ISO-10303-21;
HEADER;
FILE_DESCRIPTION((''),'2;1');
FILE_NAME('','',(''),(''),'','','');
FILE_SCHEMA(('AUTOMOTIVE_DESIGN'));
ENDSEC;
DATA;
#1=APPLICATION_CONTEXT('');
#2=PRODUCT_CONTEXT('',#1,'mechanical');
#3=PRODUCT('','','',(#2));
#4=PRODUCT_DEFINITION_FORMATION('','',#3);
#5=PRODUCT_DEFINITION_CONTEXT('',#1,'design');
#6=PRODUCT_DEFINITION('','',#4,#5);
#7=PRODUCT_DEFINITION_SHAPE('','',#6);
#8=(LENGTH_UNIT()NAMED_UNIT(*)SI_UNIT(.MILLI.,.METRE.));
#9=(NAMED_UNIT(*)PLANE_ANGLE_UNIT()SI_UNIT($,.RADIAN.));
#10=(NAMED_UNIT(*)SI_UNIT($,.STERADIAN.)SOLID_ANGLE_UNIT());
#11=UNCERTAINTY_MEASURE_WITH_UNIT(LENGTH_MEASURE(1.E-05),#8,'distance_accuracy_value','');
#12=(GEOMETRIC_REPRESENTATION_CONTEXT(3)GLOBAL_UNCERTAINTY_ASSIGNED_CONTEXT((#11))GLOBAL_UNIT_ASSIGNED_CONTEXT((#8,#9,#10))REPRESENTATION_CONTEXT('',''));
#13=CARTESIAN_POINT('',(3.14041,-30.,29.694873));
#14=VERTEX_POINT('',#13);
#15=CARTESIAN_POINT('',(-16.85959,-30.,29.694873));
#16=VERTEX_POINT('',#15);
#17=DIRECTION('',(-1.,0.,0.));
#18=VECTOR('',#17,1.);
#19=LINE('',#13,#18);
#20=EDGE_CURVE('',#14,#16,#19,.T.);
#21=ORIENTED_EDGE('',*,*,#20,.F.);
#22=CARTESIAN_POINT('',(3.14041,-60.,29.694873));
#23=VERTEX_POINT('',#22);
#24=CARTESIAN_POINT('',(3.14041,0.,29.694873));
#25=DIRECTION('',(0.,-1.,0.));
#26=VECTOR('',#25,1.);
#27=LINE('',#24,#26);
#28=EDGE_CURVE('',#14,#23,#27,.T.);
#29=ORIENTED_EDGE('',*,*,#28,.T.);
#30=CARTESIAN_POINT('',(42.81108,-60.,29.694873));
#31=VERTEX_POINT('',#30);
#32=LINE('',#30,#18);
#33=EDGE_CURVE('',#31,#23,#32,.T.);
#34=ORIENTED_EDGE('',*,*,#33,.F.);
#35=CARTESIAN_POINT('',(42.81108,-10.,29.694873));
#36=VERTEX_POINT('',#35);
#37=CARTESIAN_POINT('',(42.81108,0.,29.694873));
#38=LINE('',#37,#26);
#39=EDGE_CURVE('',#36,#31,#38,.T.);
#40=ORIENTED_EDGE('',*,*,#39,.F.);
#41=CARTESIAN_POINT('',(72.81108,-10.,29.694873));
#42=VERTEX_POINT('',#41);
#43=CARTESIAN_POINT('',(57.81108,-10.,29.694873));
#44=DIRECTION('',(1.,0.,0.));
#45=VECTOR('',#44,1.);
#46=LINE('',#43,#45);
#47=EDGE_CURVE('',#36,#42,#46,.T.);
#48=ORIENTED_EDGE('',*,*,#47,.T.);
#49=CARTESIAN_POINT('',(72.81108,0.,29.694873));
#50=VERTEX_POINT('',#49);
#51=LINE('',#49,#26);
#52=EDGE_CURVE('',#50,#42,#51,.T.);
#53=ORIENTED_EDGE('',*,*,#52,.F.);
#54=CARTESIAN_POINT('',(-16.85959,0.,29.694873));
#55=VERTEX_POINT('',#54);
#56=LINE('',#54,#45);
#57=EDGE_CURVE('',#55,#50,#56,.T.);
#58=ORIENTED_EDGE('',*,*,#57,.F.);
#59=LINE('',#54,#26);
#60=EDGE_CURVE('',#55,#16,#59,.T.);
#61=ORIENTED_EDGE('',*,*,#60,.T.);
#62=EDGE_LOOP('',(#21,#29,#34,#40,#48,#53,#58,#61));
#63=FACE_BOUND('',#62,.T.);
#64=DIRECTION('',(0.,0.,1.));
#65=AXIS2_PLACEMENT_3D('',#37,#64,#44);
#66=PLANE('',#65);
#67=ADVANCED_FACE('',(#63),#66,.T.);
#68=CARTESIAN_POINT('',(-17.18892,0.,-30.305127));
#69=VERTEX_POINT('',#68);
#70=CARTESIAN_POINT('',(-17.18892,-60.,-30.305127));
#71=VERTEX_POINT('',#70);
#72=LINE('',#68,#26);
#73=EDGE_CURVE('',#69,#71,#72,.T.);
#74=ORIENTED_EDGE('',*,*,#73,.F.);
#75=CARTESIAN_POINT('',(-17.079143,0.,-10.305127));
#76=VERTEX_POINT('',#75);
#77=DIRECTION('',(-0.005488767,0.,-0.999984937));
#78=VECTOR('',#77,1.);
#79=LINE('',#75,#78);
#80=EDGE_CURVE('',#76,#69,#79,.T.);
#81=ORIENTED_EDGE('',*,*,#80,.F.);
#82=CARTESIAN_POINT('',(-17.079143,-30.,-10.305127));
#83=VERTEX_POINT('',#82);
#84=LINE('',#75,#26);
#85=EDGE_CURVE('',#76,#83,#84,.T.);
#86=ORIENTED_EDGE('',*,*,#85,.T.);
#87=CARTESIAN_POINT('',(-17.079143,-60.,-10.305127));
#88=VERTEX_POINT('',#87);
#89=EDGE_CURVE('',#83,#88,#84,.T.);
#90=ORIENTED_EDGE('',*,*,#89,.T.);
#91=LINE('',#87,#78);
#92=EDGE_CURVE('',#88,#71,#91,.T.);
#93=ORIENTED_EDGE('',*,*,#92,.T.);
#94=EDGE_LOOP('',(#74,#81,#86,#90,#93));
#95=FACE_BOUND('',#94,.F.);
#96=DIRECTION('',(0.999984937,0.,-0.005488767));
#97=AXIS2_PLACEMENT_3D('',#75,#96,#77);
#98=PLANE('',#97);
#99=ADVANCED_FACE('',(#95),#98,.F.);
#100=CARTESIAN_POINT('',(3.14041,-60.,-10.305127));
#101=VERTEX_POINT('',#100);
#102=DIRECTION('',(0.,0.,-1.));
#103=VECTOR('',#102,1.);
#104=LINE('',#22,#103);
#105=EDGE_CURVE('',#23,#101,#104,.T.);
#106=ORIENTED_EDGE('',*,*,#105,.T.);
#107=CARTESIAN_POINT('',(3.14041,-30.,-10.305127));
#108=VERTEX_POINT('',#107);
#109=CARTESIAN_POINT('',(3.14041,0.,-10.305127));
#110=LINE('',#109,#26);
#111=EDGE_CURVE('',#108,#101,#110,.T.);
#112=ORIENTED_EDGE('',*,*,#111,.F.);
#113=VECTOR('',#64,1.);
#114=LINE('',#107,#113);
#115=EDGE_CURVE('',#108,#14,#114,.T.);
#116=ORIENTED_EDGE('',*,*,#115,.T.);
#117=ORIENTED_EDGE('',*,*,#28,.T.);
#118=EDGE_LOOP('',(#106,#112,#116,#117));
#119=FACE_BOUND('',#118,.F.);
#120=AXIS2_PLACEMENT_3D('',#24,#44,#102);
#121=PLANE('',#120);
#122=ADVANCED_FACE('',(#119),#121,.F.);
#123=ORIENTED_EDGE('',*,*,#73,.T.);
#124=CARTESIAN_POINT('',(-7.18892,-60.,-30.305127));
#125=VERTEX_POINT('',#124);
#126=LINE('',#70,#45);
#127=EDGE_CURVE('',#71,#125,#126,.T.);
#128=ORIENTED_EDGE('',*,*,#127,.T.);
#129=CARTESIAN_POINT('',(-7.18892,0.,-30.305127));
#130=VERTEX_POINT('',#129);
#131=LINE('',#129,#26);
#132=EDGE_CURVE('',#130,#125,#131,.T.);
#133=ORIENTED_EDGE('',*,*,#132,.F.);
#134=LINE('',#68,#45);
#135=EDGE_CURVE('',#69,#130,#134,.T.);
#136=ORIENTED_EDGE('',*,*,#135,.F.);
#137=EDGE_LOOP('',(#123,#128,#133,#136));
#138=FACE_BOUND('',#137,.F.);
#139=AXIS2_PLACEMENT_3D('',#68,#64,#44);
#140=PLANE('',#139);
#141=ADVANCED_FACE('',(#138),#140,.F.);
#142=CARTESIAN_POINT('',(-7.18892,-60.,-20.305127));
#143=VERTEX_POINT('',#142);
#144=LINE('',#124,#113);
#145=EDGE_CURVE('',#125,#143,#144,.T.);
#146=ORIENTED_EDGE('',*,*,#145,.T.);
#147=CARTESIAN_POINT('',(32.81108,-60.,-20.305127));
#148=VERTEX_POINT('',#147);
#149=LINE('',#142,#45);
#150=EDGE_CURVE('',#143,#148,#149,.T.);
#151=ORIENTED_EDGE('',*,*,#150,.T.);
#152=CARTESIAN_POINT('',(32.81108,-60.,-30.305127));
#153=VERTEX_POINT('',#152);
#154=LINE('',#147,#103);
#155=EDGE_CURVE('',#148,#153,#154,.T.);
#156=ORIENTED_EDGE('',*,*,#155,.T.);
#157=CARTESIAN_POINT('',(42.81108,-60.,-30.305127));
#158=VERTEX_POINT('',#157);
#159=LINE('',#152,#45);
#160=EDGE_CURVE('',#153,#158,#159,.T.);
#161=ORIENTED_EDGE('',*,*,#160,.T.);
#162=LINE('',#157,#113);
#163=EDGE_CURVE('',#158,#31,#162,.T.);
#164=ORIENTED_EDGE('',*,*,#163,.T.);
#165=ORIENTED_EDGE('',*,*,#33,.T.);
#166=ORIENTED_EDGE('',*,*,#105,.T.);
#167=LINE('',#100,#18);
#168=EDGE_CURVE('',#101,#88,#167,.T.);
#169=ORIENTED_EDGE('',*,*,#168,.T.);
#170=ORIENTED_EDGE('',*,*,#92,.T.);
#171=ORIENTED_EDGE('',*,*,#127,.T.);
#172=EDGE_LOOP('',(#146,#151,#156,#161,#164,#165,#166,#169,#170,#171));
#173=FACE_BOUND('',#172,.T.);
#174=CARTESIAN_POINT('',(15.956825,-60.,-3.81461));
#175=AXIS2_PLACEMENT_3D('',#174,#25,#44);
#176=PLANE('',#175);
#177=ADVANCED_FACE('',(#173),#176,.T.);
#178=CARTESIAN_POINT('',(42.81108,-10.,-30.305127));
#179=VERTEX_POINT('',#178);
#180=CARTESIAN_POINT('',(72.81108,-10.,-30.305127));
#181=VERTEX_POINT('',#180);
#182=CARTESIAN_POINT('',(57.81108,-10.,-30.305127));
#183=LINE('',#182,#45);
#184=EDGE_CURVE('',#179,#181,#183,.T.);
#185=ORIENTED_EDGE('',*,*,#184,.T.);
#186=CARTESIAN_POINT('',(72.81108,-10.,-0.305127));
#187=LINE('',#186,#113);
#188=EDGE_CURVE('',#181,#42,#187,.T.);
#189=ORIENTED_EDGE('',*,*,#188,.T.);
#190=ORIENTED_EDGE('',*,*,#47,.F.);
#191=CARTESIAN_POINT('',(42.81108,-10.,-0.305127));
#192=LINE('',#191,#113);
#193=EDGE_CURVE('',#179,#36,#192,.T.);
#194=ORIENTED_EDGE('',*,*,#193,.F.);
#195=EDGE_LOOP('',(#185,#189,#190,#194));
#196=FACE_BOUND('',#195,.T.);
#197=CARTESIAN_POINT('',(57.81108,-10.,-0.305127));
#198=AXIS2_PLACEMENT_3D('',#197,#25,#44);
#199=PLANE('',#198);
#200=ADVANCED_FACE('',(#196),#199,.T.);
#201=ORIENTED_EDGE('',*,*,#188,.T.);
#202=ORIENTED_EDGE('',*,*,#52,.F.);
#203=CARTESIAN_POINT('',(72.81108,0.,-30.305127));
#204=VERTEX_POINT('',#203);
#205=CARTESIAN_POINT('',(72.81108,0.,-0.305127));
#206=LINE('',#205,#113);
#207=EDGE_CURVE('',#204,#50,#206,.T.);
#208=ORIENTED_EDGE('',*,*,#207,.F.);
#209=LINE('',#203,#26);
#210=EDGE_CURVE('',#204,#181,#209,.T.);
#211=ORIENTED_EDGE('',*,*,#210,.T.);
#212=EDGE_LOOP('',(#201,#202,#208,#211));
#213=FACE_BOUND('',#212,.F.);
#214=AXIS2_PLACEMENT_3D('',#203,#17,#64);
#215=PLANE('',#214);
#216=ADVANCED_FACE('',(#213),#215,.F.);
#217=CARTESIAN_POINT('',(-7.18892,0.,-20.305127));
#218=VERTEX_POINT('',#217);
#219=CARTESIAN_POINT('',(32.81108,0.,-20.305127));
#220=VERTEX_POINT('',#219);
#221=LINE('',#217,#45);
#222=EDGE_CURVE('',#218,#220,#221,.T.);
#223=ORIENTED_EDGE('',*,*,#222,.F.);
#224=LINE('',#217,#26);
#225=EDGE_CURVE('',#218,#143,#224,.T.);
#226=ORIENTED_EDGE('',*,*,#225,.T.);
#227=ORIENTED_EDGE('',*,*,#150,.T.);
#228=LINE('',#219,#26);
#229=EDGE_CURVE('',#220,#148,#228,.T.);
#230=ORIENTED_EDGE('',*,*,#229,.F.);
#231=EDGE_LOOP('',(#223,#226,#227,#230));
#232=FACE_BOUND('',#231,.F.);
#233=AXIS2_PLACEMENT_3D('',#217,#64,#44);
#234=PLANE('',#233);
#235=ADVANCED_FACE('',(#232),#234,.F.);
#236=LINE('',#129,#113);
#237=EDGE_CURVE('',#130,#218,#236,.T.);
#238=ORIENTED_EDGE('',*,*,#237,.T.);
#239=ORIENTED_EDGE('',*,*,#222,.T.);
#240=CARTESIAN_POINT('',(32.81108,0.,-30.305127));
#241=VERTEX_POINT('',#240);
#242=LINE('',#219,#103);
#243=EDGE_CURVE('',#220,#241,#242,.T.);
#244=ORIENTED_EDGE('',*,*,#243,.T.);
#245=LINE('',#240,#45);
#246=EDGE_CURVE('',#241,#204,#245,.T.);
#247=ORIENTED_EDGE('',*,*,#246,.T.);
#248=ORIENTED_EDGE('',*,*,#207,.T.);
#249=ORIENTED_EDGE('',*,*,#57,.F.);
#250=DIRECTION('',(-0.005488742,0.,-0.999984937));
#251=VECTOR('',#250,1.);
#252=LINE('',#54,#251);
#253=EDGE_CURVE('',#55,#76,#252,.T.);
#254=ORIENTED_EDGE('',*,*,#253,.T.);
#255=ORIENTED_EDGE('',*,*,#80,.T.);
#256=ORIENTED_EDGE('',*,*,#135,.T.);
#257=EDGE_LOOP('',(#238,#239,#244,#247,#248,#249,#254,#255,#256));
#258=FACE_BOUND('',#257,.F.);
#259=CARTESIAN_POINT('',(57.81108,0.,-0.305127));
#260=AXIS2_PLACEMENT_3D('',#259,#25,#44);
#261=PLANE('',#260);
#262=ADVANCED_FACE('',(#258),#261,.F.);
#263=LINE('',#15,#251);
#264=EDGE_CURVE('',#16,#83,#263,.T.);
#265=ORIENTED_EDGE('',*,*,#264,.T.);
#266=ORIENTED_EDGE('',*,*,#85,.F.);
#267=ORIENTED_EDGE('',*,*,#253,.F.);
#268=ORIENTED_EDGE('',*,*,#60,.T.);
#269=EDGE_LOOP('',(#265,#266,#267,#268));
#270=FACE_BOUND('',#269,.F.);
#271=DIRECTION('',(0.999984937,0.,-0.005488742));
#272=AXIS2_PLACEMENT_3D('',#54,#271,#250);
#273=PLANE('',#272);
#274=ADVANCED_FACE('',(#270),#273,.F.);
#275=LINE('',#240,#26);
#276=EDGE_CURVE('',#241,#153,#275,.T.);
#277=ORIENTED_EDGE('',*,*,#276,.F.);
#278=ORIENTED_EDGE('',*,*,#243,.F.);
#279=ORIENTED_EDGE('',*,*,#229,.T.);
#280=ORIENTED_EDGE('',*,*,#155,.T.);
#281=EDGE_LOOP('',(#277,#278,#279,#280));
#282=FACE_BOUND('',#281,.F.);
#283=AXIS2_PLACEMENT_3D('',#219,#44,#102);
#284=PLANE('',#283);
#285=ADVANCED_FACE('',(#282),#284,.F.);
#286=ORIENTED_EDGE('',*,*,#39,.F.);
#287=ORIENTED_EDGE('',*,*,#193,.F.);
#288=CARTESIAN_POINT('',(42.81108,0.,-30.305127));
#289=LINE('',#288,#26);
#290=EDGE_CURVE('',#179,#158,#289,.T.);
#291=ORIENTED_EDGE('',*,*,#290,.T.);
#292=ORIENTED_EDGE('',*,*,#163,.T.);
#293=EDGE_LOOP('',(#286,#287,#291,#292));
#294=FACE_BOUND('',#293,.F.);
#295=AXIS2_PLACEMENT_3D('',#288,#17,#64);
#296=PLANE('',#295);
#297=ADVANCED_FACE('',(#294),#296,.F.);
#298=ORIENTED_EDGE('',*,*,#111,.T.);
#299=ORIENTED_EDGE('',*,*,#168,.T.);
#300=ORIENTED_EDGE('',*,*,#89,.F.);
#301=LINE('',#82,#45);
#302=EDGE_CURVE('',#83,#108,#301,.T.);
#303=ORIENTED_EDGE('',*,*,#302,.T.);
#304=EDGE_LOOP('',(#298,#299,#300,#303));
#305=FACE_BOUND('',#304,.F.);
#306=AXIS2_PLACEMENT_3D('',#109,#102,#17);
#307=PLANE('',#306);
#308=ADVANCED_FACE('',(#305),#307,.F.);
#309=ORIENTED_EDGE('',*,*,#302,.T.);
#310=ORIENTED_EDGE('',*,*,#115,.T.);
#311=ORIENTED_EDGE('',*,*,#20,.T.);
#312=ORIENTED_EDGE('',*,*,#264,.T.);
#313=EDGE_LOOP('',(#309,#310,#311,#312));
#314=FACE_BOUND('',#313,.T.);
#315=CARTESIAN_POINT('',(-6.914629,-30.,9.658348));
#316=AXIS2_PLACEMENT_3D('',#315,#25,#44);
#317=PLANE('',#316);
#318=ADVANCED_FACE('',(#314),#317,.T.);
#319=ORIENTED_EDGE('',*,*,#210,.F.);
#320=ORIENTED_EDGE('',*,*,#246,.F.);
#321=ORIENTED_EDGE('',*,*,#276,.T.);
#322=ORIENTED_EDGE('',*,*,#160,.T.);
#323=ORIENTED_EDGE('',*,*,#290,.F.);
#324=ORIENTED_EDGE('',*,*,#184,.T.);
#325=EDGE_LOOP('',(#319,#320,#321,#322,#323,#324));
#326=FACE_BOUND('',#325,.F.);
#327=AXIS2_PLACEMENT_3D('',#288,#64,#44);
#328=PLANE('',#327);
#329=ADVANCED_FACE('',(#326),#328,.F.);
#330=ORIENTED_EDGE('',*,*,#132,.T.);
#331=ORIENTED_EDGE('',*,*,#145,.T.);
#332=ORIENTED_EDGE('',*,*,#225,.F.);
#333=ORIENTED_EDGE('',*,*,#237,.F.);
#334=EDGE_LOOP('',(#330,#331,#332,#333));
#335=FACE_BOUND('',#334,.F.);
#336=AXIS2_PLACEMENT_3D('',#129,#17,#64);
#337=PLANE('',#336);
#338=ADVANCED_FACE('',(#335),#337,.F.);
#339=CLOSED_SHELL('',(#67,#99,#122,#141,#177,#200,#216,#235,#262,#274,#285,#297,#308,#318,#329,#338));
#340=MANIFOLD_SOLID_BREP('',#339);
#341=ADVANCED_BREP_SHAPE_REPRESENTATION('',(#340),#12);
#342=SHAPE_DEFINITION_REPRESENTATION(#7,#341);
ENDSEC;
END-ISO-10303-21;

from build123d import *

# Parameters (mm, degrees)
F1_DEPTH = 60
F2_DEPTH = 30
F0_W     = 30
F0_H     = 60
F3_DEPTH = 10


with BuildPart() as f1:
    # F0 (on Front) → F1 (new body)
    with BuildSketch(Plane.XZ):
        Polygon((42.81108, -30.305127), (42.81108, 29.694873), (3.14041, 29.694873), (3.14041, -10.305127), (-17.079143, -10.305127), (-17.18892, -30.305127), (-7.18892, -30.305127), (-7.18892, -20.305127), (32.81108, -20.305127), (32.81108, -30.305127), align=None)
    extrude(amount=F1_DEPTH)

    # F0 (on Front) → F2 (join)
    with BuildSketch(Plane.XZ):
        Polygon((3.14041, -10.305127), (3.14041, 29.694873), (-16.85959, 29.694873), (-17.079143, -10.305127), align=None)
    extrude(amount=F2_DEPTH)

    # F0 (on Front) → F3 (join)
    with BuildSketch(Plane.XZ):
        with Locations((57.81108, -0.305127)):
            Rectangle(F0_W, F0_H)
    extrude(amount=F3_DEPTH)


solid = f1.part
